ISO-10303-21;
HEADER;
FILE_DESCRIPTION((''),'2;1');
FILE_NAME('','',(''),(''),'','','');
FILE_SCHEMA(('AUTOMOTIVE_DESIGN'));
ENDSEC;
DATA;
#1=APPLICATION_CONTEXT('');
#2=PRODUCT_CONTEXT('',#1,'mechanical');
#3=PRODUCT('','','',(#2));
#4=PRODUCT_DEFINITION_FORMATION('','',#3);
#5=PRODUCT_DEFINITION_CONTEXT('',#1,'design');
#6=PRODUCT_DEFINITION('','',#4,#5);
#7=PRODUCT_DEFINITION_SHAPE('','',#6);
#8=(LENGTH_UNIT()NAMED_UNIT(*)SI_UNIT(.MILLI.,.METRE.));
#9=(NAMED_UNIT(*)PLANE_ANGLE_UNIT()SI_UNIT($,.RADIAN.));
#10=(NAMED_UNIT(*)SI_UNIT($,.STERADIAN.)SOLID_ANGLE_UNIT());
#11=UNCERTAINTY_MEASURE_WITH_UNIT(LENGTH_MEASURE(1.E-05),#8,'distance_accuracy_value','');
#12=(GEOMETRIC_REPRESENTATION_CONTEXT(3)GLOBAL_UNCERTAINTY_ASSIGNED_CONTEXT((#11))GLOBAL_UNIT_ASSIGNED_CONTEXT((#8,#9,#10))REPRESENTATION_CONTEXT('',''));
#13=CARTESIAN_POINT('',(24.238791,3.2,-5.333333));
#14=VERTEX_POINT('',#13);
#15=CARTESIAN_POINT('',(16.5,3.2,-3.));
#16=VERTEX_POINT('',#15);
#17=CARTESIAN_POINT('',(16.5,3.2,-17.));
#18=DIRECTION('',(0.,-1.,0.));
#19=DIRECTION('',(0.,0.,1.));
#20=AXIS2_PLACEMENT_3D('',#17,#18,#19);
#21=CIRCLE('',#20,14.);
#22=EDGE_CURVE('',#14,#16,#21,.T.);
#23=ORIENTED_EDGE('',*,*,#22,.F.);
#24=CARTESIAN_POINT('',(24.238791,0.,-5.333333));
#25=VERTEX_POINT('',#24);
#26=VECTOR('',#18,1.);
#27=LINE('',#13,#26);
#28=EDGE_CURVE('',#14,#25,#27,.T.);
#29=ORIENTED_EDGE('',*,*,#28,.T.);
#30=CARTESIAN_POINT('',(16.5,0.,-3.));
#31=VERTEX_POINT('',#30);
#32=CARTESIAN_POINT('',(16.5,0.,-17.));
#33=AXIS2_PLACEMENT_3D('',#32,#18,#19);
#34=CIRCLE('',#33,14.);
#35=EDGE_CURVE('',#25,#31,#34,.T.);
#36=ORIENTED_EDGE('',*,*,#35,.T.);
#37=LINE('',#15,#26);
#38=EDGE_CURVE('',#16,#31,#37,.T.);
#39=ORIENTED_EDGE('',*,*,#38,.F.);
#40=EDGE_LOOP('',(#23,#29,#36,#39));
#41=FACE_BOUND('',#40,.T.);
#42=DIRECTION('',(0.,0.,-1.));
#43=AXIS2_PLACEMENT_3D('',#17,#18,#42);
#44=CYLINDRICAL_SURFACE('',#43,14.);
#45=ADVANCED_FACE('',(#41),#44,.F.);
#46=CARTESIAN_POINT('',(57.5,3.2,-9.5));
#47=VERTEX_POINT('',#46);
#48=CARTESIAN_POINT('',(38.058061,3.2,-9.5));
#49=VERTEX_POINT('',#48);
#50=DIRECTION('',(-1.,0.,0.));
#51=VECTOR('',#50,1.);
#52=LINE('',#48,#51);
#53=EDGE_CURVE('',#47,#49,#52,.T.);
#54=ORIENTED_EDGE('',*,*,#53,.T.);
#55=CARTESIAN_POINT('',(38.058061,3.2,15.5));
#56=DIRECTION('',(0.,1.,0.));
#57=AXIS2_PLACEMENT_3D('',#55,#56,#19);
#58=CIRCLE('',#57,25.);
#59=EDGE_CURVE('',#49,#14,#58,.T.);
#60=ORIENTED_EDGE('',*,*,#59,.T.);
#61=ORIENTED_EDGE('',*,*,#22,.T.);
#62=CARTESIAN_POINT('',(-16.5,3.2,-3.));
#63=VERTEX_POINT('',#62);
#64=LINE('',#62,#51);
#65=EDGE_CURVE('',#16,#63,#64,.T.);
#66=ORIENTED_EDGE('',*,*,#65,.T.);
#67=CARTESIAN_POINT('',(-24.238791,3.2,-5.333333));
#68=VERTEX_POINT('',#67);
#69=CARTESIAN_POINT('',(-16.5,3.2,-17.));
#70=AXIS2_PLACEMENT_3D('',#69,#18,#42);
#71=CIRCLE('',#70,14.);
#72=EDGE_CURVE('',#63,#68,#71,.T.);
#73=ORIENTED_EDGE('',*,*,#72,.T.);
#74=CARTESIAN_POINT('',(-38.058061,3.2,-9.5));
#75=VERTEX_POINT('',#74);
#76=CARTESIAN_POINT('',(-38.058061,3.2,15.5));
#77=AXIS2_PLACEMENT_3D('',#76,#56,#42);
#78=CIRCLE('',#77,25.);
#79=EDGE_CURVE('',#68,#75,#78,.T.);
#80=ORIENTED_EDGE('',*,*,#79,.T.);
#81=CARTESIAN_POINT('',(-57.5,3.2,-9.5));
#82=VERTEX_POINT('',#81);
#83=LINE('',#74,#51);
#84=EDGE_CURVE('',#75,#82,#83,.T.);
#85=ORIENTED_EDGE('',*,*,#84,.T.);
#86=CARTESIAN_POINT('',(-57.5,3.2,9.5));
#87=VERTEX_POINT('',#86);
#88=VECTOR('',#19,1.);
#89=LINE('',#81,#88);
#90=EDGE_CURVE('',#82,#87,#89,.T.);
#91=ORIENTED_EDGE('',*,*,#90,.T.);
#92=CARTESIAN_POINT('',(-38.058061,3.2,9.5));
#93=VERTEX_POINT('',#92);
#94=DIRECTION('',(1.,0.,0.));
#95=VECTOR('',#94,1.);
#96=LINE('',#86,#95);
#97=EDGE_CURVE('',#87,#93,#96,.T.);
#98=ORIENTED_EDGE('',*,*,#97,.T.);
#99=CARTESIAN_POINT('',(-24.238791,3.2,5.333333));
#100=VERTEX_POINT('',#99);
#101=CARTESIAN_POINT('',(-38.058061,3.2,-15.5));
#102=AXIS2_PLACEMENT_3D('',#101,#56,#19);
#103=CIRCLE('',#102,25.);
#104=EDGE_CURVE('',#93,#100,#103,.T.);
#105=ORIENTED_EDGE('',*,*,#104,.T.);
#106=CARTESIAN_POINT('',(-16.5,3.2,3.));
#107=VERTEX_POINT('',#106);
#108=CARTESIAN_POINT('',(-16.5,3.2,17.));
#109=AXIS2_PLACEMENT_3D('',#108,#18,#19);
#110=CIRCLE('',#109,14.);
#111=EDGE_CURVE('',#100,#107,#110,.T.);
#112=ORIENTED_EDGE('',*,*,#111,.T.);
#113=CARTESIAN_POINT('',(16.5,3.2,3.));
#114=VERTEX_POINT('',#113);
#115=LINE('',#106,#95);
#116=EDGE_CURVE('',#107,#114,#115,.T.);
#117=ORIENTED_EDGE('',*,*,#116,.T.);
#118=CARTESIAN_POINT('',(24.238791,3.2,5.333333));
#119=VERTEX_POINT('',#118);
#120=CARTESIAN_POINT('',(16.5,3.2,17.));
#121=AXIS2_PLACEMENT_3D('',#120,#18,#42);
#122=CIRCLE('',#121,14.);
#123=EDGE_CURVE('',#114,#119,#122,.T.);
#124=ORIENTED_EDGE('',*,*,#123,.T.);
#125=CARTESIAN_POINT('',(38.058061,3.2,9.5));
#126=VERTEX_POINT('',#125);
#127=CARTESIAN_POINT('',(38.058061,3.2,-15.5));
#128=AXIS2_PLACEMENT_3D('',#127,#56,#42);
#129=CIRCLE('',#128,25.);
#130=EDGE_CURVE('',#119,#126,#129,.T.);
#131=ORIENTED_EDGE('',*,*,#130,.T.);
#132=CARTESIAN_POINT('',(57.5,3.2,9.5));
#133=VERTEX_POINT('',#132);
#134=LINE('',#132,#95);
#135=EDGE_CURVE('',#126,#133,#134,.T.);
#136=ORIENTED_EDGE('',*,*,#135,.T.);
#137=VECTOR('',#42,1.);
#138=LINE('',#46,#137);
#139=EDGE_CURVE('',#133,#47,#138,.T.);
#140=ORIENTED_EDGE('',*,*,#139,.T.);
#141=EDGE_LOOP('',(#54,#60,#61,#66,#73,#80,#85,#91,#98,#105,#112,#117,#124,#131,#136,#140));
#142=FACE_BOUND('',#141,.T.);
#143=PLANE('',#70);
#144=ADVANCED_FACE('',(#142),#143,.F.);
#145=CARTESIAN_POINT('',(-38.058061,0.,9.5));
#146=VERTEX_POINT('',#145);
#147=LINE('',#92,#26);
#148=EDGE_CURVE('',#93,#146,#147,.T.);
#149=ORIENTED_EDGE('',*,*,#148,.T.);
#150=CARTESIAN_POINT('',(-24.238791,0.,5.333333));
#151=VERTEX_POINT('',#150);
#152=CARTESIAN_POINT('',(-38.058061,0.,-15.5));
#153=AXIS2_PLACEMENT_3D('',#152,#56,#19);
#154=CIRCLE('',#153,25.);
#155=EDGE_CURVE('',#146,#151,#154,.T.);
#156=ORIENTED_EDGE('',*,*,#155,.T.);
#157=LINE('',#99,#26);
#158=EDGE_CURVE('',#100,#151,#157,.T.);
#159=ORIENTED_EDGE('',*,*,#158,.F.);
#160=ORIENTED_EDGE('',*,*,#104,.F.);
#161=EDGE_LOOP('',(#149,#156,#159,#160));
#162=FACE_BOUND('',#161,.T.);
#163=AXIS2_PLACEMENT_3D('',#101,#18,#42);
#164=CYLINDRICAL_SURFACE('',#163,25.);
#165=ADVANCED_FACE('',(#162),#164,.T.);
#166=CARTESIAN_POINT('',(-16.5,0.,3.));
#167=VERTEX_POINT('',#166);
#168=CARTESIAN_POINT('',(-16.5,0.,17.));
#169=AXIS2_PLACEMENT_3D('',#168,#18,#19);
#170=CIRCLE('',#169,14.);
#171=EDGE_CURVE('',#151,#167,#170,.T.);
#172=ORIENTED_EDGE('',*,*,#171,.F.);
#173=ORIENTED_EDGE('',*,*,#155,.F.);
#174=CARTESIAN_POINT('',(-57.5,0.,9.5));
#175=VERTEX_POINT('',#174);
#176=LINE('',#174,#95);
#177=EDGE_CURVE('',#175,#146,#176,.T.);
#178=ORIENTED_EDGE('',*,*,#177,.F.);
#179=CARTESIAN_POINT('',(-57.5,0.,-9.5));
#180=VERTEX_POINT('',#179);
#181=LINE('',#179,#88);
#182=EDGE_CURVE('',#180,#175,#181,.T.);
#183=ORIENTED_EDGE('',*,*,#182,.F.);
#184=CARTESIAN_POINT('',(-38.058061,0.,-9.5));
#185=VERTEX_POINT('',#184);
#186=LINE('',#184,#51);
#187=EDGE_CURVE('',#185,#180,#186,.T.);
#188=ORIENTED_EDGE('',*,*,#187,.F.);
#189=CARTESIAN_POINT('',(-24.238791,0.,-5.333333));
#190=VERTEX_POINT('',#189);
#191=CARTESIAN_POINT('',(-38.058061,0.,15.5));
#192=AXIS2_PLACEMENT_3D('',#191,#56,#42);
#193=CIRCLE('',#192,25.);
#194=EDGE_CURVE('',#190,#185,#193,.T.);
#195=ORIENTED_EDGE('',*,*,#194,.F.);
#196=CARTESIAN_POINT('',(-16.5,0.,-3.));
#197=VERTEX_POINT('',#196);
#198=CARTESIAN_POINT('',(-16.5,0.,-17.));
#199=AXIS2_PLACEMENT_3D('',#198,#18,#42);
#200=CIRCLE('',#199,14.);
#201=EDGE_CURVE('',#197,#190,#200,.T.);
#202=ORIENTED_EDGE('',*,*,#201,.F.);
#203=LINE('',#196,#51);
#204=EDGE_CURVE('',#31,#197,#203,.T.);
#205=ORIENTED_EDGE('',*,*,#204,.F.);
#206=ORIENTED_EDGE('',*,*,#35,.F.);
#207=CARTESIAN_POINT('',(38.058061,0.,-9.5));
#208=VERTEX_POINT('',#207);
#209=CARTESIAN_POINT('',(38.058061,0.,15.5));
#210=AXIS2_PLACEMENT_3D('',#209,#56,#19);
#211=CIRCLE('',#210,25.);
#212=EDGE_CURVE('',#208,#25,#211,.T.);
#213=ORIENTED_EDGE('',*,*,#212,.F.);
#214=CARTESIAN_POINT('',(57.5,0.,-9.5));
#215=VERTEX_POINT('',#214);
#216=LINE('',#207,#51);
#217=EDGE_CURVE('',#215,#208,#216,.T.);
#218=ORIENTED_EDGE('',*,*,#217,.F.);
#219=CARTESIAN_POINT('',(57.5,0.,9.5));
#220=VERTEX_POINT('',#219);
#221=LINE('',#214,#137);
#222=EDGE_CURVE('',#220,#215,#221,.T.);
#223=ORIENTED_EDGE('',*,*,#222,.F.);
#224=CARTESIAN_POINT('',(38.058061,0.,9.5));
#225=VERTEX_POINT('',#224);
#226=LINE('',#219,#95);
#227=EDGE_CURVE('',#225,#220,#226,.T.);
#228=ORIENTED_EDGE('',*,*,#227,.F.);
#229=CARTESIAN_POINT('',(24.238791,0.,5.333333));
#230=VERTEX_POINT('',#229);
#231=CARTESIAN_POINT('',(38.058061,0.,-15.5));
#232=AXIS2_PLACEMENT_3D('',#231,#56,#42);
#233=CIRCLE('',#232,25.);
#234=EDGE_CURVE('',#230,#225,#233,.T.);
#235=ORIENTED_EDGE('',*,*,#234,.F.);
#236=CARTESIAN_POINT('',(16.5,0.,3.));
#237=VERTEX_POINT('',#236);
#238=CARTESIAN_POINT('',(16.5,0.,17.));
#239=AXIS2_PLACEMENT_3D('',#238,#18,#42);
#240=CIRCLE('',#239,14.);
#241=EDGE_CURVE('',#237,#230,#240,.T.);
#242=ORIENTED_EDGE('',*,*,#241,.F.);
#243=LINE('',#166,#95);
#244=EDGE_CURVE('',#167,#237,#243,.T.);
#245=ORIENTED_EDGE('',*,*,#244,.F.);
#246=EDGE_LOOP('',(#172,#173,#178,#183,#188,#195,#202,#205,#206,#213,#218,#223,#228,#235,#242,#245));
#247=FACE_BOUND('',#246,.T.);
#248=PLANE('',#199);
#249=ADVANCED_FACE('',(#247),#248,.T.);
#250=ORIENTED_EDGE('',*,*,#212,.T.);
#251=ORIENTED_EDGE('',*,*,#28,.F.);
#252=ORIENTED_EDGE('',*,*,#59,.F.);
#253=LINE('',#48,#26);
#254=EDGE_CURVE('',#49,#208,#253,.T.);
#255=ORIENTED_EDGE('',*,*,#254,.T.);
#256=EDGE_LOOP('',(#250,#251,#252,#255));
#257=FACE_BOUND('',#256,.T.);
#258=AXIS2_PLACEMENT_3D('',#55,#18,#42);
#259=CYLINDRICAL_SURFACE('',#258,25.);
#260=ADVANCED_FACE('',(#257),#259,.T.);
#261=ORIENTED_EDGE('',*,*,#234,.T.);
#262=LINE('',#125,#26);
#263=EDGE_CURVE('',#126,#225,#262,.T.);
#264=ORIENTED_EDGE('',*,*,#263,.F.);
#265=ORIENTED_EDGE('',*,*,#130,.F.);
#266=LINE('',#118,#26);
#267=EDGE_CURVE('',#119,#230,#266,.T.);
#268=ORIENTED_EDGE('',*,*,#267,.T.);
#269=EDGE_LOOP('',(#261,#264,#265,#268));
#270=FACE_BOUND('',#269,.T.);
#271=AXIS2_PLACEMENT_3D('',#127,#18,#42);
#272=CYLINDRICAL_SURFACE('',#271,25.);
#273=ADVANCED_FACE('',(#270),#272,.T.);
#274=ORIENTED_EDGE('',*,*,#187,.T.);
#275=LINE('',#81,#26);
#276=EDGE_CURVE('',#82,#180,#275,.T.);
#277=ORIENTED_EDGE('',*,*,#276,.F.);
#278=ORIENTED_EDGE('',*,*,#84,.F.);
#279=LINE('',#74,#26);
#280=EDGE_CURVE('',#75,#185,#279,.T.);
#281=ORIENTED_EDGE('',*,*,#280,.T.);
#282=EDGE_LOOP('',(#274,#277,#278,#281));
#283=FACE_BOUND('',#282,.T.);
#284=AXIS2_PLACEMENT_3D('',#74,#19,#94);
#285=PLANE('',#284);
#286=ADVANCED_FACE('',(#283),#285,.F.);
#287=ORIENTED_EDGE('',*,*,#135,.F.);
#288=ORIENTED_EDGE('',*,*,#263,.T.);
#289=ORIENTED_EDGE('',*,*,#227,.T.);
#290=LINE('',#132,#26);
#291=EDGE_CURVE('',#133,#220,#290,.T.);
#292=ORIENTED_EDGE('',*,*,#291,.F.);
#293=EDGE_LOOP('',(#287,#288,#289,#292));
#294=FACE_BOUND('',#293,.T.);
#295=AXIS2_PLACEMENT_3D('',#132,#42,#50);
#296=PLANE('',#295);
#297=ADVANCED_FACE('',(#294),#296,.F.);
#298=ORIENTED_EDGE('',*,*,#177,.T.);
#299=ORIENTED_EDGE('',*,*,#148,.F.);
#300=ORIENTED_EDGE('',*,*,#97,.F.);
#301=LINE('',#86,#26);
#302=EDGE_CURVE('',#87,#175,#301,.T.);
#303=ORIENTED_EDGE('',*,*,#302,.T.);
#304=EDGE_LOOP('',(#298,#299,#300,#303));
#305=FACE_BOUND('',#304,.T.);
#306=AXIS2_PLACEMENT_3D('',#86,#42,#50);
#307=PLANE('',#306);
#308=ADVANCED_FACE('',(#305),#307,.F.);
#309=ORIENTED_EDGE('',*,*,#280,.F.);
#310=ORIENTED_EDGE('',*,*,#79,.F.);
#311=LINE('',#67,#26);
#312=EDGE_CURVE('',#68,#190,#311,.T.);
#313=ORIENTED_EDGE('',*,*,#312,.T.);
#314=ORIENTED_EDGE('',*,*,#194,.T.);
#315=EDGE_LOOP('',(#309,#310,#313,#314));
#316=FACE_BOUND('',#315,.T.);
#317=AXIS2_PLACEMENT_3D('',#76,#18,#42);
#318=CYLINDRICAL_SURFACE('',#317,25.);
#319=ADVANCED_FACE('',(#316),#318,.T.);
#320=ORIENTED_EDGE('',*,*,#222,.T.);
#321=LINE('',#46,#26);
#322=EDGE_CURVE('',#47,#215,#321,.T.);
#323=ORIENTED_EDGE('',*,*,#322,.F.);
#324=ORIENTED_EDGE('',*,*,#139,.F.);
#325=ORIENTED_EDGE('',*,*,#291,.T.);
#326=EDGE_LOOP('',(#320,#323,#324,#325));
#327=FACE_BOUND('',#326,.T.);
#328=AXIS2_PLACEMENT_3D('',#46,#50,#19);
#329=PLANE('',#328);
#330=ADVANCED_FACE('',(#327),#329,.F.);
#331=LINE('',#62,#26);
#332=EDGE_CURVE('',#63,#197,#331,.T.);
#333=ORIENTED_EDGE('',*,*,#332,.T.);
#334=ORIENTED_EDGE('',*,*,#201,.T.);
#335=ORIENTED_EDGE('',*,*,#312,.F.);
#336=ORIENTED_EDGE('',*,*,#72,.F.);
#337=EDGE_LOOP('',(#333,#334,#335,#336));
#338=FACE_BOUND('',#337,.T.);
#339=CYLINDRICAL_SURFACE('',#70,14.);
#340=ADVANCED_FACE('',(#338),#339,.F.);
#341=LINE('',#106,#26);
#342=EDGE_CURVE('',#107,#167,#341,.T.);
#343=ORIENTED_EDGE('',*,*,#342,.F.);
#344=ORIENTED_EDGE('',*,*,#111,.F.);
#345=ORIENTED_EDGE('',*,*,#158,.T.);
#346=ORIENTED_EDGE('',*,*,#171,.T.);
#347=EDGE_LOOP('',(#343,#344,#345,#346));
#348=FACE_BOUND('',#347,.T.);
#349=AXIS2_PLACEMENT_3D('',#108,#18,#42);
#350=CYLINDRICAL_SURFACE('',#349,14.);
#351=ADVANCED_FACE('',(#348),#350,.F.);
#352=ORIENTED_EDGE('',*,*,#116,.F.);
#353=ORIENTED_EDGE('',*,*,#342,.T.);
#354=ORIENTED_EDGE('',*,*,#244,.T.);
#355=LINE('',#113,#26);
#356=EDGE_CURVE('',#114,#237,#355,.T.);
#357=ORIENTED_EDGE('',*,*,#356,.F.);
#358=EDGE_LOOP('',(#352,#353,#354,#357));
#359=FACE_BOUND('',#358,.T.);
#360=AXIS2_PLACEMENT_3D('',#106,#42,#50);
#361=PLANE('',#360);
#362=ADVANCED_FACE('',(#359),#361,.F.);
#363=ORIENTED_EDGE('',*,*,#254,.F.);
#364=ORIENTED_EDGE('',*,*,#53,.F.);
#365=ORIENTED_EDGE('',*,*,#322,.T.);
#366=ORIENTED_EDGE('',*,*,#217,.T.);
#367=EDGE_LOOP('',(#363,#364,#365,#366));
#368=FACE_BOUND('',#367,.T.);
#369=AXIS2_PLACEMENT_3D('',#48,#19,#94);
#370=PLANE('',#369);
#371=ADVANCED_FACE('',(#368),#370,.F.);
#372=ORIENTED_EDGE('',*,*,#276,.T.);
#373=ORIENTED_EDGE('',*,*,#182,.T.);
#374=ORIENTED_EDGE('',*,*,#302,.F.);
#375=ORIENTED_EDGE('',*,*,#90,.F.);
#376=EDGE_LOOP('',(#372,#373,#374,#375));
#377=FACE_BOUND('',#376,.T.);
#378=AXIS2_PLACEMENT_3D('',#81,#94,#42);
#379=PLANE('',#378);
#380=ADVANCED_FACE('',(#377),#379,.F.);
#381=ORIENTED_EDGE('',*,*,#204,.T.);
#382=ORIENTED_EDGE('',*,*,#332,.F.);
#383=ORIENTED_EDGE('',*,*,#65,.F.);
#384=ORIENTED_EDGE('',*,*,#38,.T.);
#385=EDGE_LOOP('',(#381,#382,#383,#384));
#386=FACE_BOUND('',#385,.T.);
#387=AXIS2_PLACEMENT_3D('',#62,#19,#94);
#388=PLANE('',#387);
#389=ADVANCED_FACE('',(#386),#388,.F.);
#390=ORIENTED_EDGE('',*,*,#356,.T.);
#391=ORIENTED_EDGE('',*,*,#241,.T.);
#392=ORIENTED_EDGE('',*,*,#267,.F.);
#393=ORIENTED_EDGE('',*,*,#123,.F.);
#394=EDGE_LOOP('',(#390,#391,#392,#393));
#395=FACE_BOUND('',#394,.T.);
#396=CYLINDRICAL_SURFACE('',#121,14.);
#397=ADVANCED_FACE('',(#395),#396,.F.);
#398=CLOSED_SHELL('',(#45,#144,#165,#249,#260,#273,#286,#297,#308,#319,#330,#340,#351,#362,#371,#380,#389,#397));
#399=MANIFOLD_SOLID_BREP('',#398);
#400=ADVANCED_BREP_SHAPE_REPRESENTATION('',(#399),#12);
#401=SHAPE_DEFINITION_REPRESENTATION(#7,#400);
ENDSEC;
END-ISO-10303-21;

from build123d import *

# Parameters (mm, degrees)
SALIENTE_EXTRUIR2_DEPTH = 3.2


with BuildPart() as part:
    # Croquis1 → Saliente-Extruir2 (new body)
    with BuildSketch(Plane(origin=(0, 0, 0), x_dir=(1, 0, 0), z_dir=(0, 1, 0))):
        with BuildLine():
            Line((-16.5, 3), (16.5, 3))
            ThreePointArc((16.5, 3), (20.541451884, 3.596020491), (24.238791177, 5.333333333))
            ThreePointArc((24.238791177, 5.333333333), (30.841182772, 8.435677694), (38.058061137, 9.5))
            Line((38.058061137, 9.5), (57.5, 9.5))
            Line((57.5, 9.5), (57.5, -9.5))
            Line((57.5, -9.5), (38.058061137, -9.5))
            ThreePointArc((38.058061137, -9.5), (30.841182772, -8.435677694), (24.238791177, -5.333333333))
            ThreePointArc((24.238791177, -5.333333333), (20.541451884, -3.596020491), (16.5, -3))
            Line((16.5, -3), (-16.5, -3))
            ThreePointArc((-16.5, -3), (-20.541451884, -3.596020491), (-24.238791177, -5.333333333))
            ThreePointArc((-24.238791177, -5.333333333), (-30.841182772, -8.435677694), (-38.058061137, -9.5))
            Line((-38.058061137, -9.5), (-57.5, -9.5))
            Line((-57.5, -9.5), (-57.5, 9.5))
            Line((-57.5, 9.5), (-38.058061137, 9.5))
            ThreePointArc((-38.058061137, 9.5), (-30.841182772, 8.435677694), (-24.238791177, 5.333333333))
            ThreePointArc((-24.238791177, 5.333333333), (-20.541451884, 3.596020491), (-16.5, 3))
        make_face()
    extrude(amount=SALIENTE_EXTRUIR2_DEPTH)


solid = part.part
